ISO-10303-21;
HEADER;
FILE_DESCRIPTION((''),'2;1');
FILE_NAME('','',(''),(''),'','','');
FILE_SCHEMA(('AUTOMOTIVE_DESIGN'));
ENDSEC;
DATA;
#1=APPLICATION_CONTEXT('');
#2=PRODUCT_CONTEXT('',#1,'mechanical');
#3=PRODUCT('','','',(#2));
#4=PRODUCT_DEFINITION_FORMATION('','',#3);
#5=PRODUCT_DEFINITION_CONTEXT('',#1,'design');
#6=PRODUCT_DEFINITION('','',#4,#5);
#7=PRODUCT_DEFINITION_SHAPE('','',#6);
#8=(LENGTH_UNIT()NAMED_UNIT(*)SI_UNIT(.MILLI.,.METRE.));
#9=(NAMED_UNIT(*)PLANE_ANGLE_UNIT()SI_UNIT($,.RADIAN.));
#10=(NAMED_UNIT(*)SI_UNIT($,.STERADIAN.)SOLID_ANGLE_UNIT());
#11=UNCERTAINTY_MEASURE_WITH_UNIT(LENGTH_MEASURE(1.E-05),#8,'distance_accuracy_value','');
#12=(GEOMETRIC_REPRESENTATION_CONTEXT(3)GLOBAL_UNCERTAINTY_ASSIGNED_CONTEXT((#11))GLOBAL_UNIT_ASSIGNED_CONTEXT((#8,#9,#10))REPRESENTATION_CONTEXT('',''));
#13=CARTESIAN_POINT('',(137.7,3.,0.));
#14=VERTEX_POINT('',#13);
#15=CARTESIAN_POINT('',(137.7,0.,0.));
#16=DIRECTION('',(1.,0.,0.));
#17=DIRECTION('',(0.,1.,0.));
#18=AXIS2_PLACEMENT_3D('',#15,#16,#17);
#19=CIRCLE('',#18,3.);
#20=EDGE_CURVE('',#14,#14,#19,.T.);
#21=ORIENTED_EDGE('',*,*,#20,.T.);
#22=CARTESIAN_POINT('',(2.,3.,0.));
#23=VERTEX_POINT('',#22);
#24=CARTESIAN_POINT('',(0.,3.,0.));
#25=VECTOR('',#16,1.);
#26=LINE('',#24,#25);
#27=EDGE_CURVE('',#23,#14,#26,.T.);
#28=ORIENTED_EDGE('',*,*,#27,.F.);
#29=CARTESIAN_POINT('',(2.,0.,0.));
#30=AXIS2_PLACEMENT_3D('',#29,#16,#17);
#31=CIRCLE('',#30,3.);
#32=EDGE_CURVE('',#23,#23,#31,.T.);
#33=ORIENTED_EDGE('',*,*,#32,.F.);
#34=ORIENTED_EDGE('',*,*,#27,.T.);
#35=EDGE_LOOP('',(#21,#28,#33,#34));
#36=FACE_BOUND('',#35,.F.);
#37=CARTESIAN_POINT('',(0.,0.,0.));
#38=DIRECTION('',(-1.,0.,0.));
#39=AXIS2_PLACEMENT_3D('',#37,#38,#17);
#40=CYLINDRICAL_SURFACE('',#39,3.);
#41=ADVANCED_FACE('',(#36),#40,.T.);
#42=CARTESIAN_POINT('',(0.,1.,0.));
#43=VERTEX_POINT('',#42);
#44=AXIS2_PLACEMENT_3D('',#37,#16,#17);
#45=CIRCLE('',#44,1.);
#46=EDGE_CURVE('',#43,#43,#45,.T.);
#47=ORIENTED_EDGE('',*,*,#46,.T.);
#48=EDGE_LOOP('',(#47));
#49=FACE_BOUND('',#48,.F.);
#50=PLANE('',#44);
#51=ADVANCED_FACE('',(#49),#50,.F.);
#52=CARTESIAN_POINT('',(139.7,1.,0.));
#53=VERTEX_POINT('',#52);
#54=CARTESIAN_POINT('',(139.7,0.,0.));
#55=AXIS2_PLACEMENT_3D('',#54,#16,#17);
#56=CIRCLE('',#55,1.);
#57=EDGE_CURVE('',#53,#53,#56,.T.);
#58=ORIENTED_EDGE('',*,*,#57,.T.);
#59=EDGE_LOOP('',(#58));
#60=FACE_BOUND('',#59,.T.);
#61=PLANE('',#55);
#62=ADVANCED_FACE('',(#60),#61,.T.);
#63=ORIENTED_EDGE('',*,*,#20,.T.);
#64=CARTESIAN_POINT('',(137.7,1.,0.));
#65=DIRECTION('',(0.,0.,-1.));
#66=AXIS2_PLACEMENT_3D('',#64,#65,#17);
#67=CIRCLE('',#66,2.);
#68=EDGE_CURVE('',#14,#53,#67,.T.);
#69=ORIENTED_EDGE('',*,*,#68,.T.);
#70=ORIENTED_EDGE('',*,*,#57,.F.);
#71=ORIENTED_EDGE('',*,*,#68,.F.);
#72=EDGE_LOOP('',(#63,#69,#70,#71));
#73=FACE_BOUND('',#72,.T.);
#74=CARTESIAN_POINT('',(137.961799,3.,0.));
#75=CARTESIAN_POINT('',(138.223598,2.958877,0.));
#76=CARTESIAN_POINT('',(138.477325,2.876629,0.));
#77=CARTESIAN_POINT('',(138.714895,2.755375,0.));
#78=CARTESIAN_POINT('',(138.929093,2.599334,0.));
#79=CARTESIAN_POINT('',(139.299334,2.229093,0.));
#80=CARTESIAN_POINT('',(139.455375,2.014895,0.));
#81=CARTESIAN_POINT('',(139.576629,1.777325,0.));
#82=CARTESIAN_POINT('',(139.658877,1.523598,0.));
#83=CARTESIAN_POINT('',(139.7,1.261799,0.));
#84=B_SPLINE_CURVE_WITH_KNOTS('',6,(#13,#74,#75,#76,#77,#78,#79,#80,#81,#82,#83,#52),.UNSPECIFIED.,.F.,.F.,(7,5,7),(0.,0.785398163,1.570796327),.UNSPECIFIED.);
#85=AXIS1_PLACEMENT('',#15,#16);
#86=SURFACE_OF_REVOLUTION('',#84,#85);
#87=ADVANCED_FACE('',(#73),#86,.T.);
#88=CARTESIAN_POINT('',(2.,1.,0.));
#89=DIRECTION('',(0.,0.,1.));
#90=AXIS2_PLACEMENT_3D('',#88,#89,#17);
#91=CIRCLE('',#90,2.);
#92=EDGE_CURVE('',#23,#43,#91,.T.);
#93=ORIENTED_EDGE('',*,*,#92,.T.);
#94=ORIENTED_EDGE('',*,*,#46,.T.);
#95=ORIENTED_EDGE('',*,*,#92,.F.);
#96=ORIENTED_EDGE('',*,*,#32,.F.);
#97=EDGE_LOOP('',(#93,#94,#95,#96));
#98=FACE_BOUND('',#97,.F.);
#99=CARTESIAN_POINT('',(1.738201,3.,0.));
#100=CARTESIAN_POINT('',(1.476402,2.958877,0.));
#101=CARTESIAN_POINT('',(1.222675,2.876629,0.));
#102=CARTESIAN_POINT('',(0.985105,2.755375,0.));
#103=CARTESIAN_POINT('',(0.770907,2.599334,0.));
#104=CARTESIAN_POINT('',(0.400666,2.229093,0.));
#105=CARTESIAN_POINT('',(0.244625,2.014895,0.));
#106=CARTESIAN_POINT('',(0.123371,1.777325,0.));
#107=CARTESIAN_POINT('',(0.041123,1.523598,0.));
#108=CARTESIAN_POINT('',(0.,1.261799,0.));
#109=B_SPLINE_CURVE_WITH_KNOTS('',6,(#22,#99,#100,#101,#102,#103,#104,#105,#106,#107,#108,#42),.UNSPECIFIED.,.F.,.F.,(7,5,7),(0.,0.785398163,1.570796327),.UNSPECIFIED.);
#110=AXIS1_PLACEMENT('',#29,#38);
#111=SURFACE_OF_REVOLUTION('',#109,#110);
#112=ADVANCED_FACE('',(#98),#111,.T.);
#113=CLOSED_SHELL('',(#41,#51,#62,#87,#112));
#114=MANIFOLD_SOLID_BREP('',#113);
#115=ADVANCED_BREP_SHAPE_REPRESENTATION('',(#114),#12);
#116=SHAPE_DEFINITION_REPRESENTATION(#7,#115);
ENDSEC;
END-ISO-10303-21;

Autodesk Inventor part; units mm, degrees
ref_plane "YZ Plane" through (0, 0, 0) normal (1, 0, 0) x (0, 1, 0)
ref_plane "XZ Plane" through (0, 0, 0) normal (0, 1, 0) x (-1, 0, 0)
ref_plane "XY Plane" through (0, 0, 0) normal (0, 0, 1) x (1, 0, 0)
sketch "Sketch1" plane through (0, 0, 0) normal (1, 0, 0) x (0, 1, 0)
  circle A0 centre (0, 0) radius 3
  dimension "d0" = 6
extrude "Extrusion1" add sketch "Sketch1" along normal blind 139.7
sketch "Sketch2" plane through (0, 0, 0) normal (0, 0, 1) x (1, 0, 0)
  point P0 (0, 0)
fillet "Fillet1" radius 2 2 edges at (139.7, -3, 0) (0, -3, 0)
sketch "Sketch3" plane through (0, 0, 0) normal (1, 0, 0) x (0, 1, 0)
  point P0 (0, 0)
properties part number "axel1" material "Stainless Steel, Austenitic"
